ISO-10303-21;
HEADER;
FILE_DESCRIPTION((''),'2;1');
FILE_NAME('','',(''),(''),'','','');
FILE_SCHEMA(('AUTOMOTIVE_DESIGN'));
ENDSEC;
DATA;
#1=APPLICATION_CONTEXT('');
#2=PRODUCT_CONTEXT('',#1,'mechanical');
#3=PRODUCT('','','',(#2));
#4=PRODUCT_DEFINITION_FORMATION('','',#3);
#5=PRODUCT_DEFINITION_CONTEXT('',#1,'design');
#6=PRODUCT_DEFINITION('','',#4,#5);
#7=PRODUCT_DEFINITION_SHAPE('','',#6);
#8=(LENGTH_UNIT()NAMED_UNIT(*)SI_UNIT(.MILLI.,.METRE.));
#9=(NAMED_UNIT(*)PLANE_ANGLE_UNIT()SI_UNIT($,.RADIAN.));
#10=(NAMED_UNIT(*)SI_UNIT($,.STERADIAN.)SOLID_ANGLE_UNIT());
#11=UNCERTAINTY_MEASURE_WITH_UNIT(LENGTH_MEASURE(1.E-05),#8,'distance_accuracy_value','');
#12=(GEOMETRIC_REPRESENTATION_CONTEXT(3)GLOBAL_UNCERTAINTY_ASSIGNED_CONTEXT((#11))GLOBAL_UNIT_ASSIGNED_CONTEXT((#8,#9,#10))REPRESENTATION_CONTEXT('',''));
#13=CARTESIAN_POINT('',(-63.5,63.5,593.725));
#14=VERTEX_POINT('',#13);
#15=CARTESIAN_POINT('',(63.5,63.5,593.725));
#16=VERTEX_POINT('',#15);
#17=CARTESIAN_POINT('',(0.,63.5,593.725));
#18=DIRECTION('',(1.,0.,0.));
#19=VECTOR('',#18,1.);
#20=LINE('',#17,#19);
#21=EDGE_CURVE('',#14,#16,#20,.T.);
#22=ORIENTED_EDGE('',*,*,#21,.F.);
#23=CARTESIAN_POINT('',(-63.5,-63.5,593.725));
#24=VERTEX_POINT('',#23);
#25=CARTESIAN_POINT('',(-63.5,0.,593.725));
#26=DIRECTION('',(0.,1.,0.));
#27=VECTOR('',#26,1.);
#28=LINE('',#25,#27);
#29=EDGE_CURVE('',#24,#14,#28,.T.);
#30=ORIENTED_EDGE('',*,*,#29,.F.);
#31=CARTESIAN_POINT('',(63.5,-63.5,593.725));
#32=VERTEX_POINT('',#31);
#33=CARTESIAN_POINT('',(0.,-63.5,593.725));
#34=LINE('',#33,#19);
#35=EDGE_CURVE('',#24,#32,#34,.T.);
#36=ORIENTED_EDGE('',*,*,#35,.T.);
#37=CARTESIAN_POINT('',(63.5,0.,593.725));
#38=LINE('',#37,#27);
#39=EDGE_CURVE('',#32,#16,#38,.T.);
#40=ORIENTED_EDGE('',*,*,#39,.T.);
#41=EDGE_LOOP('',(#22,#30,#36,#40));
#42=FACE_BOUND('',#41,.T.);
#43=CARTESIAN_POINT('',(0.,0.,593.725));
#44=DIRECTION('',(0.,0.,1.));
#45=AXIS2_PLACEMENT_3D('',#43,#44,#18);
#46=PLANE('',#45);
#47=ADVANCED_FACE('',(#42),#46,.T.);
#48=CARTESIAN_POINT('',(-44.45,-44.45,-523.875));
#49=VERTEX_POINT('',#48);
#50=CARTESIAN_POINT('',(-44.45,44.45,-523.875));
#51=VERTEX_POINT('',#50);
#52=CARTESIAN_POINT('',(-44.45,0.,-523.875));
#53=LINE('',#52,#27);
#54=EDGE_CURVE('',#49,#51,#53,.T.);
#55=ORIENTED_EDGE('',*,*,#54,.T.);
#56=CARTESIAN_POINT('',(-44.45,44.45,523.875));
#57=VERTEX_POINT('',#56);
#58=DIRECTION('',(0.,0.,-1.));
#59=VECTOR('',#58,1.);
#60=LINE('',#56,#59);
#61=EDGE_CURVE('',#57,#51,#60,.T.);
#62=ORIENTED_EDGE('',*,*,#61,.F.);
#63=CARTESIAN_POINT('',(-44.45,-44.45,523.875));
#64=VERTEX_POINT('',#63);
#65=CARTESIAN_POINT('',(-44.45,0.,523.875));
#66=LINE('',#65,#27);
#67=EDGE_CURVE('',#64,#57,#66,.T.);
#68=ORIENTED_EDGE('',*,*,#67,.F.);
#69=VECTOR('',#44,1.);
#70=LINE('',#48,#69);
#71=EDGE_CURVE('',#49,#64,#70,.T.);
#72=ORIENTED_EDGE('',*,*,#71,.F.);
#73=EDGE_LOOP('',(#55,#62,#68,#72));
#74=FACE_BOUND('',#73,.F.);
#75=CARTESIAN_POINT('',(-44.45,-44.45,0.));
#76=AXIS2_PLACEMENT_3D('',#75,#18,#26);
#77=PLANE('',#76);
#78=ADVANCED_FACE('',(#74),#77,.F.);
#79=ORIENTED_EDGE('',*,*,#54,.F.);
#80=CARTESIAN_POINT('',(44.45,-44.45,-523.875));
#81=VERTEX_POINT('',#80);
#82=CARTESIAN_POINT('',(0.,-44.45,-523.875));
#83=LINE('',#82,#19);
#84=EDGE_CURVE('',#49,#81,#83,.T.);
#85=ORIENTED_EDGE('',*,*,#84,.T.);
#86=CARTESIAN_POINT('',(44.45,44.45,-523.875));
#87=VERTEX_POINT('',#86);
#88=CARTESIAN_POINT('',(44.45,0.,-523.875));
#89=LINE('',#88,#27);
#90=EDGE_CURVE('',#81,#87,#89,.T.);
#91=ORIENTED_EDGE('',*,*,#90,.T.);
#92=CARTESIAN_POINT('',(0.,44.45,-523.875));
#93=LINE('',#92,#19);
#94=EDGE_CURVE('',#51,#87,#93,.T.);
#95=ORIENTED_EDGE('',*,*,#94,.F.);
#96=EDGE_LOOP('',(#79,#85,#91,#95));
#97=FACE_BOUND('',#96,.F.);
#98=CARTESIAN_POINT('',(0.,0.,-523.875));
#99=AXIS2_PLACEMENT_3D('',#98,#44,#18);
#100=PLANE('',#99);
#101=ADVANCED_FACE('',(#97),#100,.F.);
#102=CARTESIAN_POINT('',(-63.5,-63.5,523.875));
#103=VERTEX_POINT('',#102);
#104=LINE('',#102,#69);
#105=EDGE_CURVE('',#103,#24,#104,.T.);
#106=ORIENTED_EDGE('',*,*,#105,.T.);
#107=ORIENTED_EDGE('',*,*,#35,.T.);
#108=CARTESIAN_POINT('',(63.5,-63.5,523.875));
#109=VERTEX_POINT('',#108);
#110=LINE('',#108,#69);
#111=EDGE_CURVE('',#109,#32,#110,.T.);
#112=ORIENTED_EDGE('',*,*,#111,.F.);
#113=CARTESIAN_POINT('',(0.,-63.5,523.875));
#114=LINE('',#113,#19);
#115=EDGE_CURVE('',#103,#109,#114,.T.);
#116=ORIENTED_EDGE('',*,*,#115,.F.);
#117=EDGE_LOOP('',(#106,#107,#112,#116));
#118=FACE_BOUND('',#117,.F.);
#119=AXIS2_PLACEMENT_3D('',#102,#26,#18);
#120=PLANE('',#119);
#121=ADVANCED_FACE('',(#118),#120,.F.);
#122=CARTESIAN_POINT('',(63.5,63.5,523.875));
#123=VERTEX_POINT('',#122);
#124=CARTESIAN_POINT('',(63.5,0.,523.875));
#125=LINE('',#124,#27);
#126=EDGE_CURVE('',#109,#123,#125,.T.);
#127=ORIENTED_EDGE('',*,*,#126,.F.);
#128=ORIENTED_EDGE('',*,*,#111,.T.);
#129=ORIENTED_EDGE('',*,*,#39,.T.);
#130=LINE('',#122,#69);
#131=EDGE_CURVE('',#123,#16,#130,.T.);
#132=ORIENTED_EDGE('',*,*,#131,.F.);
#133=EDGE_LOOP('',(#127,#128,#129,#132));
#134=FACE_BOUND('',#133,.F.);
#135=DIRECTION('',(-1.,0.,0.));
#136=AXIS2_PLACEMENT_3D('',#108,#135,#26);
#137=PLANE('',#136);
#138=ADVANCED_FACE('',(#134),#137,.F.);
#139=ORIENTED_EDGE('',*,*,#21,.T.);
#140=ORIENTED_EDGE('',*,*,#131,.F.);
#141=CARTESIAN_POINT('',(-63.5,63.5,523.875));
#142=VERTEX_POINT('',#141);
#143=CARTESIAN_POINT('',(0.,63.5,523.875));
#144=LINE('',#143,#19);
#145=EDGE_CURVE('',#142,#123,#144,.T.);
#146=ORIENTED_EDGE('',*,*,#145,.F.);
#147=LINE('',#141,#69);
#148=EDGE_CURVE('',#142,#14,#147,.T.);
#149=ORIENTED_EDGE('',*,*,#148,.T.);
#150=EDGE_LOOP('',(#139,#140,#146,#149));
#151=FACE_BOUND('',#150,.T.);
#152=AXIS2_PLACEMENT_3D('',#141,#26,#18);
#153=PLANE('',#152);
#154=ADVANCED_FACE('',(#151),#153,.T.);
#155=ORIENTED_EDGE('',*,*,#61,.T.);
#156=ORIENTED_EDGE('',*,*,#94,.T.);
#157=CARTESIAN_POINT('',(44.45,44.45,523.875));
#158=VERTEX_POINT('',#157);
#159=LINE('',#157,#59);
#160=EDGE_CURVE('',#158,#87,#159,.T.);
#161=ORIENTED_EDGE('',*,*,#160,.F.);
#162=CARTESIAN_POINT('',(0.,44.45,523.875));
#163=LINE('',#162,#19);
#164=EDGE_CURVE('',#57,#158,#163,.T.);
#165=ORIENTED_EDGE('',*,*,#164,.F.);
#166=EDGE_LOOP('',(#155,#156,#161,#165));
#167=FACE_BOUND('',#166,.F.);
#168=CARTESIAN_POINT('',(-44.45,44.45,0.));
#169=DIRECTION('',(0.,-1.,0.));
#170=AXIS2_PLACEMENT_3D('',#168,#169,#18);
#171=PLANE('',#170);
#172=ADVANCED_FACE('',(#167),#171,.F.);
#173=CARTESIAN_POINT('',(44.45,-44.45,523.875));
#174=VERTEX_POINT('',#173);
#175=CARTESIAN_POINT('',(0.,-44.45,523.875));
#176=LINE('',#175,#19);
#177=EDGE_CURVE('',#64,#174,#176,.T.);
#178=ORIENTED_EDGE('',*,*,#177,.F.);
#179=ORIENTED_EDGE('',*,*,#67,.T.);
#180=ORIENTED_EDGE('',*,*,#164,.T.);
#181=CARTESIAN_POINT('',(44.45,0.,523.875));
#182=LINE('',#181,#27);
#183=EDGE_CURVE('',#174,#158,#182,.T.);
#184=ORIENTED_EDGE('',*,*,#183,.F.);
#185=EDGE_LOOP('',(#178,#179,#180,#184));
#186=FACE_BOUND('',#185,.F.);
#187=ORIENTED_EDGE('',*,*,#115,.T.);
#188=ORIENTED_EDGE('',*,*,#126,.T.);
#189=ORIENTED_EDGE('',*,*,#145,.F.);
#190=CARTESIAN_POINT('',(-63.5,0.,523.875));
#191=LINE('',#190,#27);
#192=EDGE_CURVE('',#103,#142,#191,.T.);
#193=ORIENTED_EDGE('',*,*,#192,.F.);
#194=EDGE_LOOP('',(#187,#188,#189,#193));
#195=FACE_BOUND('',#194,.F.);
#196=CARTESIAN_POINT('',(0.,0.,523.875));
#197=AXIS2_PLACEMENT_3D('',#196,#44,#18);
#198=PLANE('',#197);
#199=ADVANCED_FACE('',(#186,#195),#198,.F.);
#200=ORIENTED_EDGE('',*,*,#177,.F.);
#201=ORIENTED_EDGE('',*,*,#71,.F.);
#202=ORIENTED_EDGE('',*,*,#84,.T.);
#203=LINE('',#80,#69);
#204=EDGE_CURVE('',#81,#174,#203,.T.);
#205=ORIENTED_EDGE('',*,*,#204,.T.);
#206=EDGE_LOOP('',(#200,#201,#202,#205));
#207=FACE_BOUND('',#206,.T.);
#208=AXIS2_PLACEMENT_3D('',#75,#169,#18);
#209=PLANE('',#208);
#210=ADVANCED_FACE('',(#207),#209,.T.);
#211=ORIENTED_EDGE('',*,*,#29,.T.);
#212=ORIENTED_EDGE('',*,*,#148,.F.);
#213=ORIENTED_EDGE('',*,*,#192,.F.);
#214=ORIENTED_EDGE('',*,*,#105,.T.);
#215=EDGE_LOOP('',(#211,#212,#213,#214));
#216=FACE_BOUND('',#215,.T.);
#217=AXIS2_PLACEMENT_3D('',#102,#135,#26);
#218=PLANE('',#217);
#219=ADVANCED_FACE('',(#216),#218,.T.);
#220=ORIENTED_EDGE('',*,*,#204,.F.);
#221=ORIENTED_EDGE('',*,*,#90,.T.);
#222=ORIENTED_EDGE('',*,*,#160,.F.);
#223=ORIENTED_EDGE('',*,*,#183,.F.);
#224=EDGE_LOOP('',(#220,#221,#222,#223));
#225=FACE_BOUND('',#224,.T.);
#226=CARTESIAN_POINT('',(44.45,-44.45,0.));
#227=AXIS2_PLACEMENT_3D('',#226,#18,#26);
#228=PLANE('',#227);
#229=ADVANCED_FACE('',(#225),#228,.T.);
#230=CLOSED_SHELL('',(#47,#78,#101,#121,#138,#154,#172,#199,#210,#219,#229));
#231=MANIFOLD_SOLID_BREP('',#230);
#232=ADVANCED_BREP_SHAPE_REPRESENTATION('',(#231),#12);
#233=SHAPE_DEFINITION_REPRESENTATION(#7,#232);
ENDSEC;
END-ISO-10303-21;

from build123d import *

# Parameters (mm, degrees)
F0_W     = 88.9
F0_H     = 88.9
F1_DEPTH = 523.875
F2_W     = 127
F2_H     = 127
F2_W_2   = 88.9
F2_H_2   = 88.9
F3_DEPTH = 69.85


with BuildPart() as f1:
    # F0 (on Top) → F1 (new body, symmetric)
    with BuildSketch(Plane.XY):
        Rectangle(F0_W, F0_H)
    extrude(amount=F1_DEPTH, both=True)

    # F2 (on face) → F3 (join)
    with BuildSketch(Plane.XY.offset(523.875)):
        Rectangle(F2_W, F2_H)
        Rectangle(F2_W_2, F2_H_2, mode=Mode.SUBTRACT)
        Rectangle(F2_W_2, F2_H_2)
    extrude(amount=F3_DEPTH)


solid = f1.part
